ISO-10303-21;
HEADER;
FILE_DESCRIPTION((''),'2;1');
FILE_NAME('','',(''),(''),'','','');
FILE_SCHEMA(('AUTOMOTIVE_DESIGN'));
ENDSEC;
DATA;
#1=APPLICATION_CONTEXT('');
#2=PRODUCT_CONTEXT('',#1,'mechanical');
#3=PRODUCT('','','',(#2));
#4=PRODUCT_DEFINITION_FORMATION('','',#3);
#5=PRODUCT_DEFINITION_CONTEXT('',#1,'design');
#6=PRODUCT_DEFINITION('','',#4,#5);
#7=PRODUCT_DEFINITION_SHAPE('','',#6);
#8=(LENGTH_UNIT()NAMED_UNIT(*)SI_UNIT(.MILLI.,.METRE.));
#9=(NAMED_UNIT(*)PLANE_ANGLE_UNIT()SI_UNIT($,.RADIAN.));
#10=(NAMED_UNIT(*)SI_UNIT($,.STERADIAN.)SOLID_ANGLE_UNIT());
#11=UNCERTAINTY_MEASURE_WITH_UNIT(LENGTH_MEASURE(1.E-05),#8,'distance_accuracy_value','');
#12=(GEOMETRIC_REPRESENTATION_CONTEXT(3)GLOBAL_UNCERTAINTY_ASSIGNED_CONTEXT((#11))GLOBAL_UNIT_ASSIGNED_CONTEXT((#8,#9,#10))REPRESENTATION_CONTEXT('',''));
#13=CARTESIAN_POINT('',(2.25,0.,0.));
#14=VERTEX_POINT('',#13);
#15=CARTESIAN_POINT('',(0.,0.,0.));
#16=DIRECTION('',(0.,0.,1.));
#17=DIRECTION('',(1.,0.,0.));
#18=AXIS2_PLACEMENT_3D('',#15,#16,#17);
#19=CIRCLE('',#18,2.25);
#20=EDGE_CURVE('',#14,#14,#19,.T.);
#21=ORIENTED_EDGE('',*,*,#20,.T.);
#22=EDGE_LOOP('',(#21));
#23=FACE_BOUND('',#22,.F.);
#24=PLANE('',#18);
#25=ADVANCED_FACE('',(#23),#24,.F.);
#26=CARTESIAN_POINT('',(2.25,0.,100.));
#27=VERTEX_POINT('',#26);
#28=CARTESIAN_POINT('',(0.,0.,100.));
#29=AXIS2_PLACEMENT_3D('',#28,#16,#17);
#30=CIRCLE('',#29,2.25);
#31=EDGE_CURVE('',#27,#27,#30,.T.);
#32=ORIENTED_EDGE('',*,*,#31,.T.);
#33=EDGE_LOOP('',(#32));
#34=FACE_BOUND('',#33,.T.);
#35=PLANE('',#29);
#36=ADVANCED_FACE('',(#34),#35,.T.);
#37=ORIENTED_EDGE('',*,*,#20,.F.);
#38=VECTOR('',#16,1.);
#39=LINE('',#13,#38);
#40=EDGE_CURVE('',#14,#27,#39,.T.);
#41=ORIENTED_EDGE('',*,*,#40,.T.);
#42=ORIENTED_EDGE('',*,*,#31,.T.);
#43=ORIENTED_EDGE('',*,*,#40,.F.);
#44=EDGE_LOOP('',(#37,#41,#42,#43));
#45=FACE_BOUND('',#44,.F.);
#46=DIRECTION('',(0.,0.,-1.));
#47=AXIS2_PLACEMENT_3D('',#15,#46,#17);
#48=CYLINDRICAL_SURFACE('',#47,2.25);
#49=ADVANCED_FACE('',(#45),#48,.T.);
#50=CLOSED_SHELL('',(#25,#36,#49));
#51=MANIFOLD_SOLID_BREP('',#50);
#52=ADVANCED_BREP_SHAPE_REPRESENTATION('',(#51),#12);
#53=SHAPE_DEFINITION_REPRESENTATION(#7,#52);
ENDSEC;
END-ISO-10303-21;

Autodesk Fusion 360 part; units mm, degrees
sketch "Sketch1" plane through (0, 0, 0) normal (0, 0, 1) x (1, 0, 0)
  circle A0 centre (0, 0) radius 2.25
  dimension "d1" = 4.5
extrude "Extrude1" add sketch "Sketch1" along normal blind 100
